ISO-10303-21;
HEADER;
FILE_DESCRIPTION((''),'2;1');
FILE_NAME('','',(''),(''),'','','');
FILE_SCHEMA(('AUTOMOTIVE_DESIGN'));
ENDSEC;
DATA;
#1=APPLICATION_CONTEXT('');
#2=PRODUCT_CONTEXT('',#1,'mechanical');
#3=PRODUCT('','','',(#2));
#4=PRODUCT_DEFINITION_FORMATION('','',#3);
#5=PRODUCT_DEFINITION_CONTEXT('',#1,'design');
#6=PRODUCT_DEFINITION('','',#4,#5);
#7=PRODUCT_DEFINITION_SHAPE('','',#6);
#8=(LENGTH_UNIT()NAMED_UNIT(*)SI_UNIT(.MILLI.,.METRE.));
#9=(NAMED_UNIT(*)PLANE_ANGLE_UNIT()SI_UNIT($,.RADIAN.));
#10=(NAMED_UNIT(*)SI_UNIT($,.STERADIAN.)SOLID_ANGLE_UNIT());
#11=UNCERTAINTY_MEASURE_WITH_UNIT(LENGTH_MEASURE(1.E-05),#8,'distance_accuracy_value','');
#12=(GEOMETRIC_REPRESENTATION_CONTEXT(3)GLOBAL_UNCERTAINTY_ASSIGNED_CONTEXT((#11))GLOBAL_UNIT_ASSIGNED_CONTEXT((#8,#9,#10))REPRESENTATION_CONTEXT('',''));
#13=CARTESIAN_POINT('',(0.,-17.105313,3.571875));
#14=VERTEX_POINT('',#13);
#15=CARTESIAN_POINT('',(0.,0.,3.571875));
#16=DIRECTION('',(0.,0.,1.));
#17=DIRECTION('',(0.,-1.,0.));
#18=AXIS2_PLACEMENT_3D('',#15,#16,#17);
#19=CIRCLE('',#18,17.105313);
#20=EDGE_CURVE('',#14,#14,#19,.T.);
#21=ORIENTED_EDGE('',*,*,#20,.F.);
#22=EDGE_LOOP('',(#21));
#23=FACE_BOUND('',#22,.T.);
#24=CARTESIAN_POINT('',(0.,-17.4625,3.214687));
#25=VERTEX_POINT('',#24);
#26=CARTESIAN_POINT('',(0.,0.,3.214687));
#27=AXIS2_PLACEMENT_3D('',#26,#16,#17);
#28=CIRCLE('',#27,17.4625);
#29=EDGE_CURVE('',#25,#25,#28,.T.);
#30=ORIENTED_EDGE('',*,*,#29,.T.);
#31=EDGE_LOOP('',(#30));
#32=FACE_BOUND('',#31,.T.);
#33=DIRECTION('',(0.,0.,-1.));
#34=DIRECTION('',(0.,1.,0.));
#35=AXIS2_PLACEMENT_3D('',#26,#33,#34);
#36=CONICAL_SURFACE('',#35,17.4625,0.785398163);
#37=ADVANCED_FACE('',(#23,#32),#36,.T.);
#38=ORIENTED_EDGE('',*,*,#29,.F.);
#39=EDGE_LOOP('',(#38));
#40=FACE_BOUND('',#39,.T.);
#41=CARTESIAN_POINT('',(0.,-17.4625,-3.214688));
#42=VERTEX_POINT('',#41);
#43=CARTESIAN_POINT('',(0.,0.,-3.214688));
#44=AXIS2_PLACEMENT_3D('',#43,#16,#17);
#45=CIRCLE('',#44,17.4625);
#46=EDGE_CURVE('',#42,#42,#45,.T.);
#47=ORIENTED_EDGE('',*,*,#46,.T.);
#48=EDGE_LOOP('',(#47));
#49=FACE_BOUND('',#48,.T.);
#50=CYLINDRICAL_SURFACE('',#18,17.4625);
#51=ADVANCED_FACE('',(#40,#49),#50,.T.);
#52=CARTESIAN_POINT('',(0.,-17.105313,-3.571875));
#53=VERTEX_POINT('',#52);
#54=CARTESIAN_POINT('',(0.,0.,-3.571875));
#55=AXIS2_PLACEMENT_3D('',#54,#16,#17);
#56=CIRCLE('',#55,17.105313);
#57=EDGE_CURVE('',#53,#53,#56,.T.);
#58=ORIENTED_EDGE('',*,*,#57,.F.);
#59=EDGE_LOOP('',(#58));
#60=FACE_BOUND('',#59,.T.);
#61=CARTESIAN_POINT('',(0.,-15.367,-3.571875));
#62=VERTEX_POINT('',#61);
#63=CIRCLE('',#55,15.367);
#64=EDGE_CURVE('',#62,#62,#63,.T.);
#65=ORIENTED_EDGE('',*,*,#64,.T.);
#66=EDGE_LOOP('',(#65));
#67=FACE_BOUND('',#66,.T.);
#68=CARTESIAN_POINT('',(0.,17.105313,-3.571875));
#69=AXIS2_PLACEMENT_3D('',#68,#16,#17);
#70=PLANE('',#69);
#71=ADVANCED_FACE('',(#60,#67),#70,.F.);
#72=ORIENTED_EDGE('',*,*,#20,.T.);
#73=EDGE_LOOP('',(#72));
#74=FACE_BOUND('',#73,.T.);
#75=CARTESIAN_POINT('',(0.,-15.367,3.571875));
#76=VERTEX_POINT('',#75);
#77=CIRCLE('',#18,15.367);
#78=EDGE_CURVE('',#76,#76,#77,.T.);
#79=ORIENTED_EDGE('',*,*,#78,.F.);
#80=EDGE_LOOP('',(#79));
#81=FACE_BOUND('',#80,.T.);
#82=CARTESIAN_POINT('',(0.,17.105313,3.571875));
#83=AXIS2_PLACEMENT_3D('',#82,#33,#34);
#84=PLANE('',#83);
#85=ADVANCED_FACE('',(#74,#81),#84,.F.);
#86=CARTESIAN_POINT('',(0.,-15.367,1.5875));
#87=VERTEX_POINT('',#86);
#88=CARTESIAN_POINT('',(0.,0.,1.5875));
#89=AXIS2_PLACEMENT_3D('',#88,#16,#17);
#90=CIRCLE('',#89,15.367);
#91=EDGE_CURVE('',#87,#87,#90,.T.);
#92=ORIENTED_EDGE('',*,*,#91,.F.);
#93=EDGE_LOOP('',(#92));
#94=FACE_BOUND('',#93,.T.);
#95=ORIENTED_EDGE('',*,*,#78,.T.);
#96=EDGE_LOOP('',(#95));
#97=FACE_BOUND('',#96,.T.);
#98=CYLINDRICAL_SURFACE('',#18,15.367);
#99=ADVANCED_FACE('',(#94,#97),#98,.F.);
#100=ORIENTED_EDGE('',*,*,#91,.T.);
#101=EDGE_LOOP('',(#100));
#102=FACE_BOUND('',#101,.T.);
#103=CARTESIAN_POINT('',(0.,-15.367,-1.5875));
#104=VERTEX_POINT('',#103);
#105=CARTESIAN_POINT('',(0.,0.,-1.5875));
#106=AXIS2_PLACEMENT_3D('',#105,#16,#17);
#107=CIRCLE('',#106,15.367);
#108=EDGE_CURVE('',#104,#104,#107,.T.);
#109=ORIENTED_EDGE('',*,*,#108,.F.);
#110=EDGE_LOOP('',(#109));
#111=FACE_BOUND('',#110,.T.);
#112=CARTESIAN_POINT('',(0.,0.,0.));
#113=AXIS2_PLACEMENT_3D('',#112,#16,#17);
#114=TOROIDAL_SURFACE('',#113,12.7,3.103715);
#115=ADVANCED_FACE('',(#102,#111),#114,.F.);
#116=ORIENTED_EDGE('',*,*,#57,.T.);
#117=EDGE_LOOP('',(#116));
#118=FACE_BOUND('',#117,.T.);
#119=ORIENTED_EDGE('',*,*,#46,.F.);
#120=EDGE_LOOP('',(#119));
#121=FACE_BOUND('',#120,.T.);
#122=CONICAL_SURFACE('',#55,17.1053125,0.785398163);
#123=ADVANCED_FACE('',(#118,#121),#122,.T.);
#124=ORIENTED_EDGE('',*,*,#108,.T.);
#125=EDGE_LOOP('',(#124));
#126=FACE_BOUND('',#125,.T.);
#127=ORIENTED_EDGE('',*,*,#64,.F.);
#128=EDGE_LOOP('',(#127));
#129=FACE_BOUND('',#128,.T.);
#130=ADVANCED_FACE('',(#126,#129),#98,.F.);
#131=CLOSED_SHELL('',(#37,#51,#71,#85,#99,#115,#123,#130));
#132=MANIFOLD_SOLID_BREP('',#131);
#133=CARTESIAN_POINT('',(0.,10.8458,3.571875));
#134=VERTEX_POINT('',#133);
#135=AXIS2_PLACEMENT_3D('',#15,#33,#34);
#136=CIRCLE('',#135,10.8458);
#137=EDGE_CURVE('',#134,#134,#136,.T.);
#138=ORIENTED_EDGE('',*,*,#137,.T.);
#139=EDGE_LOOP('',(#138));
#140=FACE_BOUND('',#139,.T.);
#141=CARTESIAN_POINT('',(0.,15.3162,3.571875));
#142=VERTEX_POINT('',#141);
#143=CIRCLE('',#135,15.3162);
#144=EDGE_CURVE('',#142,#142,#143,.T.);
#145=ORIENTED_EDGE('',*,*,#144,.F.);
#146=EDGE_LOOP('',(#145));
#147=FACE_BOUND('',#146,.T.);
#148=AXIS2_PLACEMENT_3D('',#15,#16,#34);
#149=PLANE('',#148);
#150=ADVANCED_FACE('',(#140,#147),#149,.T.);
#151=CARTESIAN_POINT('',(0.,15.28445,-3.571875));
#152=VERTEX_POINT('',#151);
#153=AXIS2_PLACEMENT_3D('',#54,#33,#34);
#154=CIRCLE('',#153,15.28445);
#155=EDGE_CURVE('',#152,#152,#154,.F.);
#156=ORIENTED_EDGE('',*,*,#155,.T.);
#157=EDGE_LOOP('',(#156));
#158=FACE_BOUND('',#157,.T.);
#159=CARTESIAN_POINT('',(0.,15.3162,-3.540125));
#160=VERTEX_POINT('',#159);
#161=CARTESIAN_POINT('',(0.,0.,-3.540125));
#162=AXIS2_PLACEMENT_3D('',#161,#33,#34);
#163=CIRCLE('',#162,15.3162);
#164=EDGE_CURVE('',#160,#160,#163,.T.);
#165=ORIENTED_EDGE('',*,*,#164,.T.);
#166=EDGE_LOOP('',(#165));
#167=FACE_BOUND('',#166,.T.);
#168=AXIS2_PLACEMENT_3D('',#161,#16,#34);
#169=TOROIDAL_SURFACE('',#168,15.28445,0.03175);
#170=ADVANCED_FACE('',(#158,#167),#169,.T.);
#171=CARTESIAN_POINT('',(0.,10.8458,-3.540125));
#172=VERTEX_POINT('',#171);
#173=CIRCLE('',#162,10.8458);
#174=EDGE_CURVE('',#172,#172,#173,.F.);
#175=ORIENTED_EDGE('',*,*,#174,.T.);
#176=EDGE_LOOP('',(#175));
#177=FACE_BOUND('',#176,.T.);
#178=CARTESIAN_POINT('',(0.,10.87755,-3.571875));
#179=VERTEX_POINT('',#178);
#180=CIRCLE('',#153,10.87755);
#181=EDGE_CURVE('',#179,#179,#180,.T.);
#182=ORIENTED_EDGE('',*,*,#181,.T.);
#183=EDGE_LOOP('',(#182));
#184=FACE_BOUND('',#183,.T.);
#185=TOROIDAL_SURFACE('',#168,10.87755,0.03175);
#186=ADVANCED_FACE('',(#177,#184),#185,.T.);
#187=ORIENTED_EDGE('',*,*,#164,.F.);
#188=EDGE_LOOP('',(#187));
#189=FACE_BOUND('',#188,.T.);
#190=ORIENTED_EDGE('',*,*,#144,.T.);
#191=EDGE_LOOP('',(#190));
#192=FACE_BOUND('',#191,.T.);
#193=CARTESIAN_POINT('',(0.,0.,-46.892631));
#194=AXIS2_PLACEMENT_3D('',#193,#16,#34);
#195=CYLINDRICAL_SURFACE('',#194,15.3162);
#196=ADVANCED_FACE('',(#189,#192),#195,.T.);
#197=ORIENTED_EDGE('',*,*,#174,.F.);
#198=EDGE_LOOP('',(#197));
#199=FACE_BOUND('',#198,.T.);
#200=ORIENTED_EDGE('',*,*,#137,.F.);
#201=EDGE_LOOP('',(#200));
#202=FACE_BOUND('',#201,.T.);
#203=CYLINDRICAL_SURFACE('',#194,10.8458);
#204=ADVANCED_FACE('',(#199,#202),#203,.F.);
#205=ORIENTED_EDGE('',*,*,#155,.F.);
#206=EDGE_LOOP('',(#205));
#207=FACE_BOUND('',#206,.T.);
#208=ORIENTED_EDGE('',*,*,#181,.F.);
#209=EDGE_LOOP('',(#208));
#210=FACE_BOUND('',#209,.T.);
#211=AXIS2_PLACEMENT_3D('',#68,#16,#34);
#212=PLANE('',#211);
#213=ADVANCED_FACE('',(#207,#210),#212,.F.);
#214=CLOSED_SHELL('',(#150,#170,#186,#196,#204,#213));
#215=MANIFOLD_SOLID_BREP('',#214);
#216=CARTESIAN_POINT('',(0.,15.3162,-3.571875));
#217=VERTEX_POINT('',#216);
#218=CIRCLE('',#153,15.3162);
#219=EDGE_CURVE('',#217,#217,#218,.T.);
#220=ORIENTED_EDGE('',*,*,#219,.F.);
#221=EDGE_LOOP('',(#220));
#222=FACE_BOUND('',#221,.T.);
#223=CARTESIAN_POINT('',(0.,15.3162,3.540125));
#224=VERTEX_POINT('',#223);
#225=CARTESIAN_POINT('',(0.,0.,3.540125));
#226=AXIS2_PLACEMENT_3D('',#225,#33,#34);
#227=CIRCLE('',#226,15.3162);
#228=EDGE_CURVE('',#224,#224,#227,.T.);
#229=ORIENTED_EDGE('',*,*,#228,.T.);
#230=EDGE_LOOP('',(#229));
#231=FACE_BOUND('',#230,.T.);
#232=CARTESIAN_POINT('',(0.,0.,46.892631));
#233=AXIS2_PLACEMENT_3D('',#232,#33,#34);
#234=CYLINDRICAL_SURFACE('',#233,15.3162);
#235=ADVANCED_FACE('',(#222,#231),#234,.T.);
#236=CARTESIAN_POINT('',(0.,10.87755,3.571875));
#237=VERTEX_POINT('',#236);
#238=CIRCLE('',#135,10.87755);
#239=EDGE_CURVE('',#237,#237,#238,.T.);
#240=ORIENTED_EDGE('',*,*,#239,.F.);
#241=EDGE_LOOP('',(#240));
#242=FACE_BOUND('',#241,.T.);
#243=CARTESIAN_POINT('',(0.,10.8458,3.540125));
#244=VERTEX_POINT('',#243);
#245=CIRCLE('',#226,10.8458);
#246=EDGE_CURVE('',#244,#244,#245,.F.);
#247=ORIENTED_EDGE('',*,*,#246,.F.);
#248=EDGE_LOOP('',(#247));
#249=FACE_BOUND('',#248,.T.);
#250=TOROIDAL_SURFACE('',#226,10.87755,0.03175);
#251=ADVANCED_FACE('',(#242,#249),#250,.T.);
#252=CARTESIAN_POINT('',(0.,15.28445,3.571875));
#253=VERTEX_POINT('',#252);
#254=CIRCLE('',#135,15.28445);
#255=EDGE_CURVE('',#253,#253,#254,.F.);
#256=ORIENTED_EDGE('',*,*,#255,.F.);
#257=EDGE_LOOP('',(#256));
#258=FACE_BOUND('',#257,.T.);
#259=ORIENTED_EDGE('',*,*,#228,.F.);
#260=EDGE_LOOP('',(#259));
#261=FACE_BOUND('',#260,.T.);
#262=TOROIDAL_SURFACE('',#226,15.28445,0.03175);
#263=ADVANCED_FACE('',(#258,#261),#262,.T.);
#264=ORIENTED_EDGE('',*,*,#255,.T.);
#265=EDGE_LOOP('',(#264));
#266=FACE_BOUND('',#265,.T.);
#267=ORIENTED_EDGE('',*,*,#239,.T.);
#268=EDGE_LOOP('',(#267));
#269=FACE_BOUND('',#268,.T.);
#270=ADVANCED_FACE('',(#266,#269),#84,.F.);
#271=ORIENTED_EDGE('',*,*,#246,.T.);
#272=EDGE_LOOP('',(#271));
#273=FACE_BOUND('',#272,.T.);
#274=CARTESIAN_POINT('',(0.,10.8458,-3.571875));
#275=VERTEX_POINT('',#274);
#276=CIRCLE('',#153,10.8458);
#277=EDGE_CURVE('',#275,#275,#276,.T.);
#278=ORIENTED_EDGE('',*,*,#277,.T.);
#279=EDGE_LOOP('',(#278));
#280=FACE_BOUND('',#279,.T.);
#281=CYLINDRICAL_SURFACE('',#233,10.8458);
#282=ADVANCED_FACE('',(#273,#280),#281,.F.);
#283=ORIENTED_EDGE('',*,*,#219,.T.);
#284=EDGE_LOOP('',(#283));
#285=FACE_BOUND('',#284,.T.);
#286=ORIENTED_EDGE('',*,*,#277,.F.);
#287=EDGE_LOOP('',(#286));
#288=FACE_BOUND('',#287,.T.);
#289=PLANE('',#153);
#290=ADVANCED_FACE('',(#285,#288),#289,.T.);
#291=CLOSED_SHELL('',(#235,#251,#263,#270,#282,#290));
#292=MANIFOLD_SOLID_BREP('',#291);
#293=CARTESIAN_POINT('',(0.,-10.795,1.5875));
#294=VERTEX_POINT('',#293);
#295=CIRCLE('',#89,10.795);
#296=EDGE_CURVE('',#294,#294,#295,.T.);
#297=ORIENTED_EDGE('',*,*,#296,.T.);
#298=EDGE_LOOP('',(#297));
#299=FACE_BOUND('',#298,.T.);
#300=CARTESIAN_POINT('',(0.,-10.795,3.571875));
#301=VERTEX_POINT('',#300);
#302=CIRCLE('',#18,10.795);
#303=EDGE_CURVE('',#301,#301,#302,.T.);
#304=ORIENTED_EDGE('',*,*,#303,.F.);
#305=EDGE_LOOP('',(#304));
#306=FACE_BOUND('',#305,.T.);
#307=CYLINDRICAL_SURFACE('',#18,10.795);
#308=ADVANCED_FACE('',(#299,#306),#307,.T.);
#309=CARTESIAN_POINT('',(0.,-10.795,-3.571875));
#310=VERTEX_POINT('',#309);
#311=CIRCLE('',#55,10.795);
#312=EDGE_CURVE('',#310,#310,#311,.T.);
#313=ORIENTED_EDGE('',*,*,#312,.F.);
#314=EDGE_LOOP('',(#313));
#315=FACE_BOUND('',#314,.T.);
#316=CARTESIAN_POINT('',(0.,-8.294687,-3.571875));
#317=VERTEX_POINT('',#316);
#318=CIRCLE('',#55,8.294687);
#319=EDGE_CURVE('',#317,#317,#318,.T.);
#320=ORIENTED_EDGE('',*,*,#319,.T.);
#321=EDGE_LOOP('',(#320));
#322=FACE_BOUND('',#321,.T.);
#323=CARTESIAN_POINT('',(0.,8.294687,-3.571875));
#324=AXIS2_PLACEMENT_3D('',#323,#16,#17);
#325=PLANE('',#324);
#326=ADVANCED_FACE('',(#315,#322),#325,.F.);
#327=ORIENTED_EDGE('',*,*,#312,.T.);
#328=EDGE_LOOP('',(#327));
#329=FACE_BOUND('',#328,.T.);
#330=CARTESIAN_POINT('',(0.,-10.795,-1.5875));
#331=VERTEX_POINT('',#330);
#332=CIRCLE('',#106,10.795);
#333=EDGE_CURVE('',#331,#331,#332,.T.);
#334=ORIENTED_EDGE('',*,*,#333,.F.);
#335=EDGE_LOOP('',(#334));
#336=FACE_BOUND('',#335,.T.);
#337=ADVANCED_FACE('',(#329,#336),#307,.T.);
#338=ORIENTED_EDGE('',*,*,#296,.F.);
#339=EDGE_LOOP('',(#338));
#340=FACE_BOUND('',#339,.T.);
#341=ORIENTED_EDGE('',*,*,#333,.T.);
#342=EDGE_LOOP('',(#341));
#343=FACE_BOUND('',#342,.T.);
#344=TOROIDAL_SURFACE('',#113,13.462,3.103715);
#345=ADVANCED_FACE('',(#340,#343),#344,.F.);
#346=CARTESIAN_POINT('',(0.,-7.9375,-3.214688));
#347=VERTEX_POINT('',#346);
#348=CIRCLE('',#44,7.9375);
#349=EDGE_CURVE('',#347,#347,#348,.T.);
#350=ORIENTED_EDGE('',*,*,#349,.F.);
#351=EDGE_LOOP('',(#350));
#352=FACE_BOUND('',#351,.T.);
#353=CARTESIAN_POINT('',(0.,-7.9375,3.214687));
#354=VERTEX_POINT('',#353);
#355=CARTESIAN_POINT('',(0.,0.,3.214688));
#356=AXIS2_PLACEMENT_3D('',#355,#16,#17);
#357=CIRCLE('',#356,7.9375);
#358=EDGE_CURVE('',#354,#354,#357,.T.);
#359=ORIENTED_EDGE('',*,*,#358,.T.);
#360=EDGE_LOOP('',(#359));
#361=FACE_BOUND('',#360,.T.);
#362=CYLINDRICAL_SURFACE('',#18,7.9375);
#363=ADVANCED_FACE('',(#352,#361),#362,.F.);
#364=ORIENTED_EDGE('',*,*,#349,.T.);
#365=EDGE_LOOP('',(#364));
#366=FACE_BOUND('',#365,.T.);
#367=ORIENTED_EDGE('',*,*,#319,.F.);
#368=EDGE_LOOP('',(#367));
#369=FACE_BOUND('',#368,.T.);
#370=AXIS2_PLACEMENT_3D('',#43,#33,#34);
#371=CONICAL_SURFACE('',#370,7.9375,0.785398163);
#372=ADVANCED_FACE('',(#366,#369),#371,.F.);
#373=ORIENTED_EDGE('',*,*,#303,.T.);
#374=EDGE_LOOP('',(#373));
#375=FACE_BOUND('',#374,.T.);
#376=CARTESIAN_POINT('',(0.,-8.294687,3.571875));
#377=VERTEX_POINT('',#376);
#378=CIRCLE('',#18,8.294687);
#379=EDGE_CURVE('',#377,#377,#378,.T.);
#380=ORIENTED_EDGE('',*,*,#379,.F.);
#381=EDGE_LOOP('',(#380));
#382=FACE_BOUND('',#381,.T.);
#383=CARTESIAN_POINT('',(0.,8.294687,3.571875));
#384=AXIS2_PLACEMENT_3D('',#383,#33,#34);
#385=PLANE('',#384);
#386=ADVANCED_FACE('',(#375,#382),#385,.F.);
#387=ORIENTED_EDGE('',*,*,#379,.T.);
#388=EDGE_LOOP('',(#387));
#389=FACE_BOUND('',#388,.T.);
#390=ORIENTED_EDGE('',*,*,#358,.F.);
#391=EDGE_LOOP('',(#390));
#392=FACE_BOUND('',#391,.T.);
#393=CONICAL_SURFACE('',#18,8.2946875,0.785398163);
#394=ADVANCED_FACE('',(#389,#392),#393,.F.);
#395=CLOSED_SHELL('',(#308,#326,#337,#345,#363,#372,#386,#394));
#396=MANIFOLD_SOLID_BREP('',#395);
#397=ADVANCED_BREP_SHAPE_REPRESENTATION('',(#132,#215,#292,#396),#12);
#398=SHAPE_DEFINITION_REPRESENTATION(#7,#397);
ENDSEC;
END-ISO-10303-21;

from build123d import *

# Parameters (mm, degrees)
SKETCH7_R           = 15.3162
SKETCH7_R_2         = 10.8458
BOSS_EXTRUDE2_DEPTH = 7.14375
FILLET1_R           = 0.03175


with BuildPart() as part:
    # Sketch3 → Revolve1 (revolve)
    with BuildSketch(Plane(origin=(0, 0, 0), x_dir=(0, 0, -1), z_dir=(1, 0, 0)), mode=Mode.PRIVATE) as revolve1_sk:
        with BuildLine():
            Line((3.2146875, 17.4625), (3.571875, 17.1053125))
            Line((3.571875, 17.1053125), (3.571875, 15.367))
            Line((3.571875, 15.367), (1.5875, 15.367))
            ThreePointArc((1.5875, 15.367), (0, 15.80371475), (-1.5875, 15.367))
            Line((-1.5875, 15.367), (-3.571875, 15.367))
            Line((-3.571875, 15.367), (-3.571875, 17.1053125))
            Line((-3.571875, 17.1053125), (-3.2146875, 17.4625))
            Line((-3.2146875, 17.4625), (3.2146875, 17.4625))
        make_face()
    revolve(revolve1_sk.sketch.rotate(Axis((0, 0, 3.571875), (0, 0, -1)), 180), axis=Axis((0, 0, 3.571875), (0, 0, -1)))


with BuildPart() as body_2:
    # Sketch4 → Revolve2 (revolve)
    with BuildSketch(Plane(origin=(0, 0, 0), x_dir=(0, 0, -1), z_dir=(1, 0, 0)), mode=Mode.PRIVATE) as revolve2_sk:
        with BuildLine():
            Line((-3.2146875, 7.9375), (-3.571875, 8.2946875))
            Line((-3.571875, 8.2946875), (-3.571875, 10.795))
            Line((-3.571875, 10.795), (-1.5875, 10.795))
            ThreePointArc((-1.5875, 10.795), (0, 10.35828525), (1.5875, 10.795))
            Line((1.5875, 10.795), (3.571875, 10.795))
            Line((3.571875, 10.795), (3.571875, 8.2946875))
            Line((3.571875, 8.2946875), (3.2146875, 7.9375))
            Line((3.2146875, 7.9375), (-3.2146875, 7.9375))
        make_face()
    revolve(revolve2_sk.sketch.rotate(Axis((0, 0, 3.571875), (0, 0, -1)), 180), axis=Axis((0, 0, 3.571875), (0, 0, -1)))


with BuildPart() as body_3:
    # Sketch7 → Boss-Extrude2 (new body)
    with BuildSketch(Plane(origin=(0, 12.7, -3.571875), x_dir=(-1, 0, 0), z_dir=(0, 0, -1))):
        with Locations(Location((0, -12.7, 0), (0, 0, 90))):
            Circle(SKETCH7_R)
        with Locations(Location((0, -12.7, 0), (0, 0, 90))):
            Circle(SKETCH7_R_2, mode=Mode.SUBTRACT)
    extrude(amount=-BOSS_EXTRUDE2_DEPTH)

    # Fillet1
    fillet1_edges = [body_3.edges().sort_by_distance(p)[0] for p in [
        (0, -15.3162, 3.571875),
        (0, -10.8458, 3.571875),
    ]]
    fillet(fillet1_edges, radius=FILLET1_R)


with BuildPart() as body_4:
    # Mirror1: mirrored copy
    add(body_3.part.mirror(Plane.XY))


solid = Compound([part.part, body_2.part, body_3.part, body_4.part])
